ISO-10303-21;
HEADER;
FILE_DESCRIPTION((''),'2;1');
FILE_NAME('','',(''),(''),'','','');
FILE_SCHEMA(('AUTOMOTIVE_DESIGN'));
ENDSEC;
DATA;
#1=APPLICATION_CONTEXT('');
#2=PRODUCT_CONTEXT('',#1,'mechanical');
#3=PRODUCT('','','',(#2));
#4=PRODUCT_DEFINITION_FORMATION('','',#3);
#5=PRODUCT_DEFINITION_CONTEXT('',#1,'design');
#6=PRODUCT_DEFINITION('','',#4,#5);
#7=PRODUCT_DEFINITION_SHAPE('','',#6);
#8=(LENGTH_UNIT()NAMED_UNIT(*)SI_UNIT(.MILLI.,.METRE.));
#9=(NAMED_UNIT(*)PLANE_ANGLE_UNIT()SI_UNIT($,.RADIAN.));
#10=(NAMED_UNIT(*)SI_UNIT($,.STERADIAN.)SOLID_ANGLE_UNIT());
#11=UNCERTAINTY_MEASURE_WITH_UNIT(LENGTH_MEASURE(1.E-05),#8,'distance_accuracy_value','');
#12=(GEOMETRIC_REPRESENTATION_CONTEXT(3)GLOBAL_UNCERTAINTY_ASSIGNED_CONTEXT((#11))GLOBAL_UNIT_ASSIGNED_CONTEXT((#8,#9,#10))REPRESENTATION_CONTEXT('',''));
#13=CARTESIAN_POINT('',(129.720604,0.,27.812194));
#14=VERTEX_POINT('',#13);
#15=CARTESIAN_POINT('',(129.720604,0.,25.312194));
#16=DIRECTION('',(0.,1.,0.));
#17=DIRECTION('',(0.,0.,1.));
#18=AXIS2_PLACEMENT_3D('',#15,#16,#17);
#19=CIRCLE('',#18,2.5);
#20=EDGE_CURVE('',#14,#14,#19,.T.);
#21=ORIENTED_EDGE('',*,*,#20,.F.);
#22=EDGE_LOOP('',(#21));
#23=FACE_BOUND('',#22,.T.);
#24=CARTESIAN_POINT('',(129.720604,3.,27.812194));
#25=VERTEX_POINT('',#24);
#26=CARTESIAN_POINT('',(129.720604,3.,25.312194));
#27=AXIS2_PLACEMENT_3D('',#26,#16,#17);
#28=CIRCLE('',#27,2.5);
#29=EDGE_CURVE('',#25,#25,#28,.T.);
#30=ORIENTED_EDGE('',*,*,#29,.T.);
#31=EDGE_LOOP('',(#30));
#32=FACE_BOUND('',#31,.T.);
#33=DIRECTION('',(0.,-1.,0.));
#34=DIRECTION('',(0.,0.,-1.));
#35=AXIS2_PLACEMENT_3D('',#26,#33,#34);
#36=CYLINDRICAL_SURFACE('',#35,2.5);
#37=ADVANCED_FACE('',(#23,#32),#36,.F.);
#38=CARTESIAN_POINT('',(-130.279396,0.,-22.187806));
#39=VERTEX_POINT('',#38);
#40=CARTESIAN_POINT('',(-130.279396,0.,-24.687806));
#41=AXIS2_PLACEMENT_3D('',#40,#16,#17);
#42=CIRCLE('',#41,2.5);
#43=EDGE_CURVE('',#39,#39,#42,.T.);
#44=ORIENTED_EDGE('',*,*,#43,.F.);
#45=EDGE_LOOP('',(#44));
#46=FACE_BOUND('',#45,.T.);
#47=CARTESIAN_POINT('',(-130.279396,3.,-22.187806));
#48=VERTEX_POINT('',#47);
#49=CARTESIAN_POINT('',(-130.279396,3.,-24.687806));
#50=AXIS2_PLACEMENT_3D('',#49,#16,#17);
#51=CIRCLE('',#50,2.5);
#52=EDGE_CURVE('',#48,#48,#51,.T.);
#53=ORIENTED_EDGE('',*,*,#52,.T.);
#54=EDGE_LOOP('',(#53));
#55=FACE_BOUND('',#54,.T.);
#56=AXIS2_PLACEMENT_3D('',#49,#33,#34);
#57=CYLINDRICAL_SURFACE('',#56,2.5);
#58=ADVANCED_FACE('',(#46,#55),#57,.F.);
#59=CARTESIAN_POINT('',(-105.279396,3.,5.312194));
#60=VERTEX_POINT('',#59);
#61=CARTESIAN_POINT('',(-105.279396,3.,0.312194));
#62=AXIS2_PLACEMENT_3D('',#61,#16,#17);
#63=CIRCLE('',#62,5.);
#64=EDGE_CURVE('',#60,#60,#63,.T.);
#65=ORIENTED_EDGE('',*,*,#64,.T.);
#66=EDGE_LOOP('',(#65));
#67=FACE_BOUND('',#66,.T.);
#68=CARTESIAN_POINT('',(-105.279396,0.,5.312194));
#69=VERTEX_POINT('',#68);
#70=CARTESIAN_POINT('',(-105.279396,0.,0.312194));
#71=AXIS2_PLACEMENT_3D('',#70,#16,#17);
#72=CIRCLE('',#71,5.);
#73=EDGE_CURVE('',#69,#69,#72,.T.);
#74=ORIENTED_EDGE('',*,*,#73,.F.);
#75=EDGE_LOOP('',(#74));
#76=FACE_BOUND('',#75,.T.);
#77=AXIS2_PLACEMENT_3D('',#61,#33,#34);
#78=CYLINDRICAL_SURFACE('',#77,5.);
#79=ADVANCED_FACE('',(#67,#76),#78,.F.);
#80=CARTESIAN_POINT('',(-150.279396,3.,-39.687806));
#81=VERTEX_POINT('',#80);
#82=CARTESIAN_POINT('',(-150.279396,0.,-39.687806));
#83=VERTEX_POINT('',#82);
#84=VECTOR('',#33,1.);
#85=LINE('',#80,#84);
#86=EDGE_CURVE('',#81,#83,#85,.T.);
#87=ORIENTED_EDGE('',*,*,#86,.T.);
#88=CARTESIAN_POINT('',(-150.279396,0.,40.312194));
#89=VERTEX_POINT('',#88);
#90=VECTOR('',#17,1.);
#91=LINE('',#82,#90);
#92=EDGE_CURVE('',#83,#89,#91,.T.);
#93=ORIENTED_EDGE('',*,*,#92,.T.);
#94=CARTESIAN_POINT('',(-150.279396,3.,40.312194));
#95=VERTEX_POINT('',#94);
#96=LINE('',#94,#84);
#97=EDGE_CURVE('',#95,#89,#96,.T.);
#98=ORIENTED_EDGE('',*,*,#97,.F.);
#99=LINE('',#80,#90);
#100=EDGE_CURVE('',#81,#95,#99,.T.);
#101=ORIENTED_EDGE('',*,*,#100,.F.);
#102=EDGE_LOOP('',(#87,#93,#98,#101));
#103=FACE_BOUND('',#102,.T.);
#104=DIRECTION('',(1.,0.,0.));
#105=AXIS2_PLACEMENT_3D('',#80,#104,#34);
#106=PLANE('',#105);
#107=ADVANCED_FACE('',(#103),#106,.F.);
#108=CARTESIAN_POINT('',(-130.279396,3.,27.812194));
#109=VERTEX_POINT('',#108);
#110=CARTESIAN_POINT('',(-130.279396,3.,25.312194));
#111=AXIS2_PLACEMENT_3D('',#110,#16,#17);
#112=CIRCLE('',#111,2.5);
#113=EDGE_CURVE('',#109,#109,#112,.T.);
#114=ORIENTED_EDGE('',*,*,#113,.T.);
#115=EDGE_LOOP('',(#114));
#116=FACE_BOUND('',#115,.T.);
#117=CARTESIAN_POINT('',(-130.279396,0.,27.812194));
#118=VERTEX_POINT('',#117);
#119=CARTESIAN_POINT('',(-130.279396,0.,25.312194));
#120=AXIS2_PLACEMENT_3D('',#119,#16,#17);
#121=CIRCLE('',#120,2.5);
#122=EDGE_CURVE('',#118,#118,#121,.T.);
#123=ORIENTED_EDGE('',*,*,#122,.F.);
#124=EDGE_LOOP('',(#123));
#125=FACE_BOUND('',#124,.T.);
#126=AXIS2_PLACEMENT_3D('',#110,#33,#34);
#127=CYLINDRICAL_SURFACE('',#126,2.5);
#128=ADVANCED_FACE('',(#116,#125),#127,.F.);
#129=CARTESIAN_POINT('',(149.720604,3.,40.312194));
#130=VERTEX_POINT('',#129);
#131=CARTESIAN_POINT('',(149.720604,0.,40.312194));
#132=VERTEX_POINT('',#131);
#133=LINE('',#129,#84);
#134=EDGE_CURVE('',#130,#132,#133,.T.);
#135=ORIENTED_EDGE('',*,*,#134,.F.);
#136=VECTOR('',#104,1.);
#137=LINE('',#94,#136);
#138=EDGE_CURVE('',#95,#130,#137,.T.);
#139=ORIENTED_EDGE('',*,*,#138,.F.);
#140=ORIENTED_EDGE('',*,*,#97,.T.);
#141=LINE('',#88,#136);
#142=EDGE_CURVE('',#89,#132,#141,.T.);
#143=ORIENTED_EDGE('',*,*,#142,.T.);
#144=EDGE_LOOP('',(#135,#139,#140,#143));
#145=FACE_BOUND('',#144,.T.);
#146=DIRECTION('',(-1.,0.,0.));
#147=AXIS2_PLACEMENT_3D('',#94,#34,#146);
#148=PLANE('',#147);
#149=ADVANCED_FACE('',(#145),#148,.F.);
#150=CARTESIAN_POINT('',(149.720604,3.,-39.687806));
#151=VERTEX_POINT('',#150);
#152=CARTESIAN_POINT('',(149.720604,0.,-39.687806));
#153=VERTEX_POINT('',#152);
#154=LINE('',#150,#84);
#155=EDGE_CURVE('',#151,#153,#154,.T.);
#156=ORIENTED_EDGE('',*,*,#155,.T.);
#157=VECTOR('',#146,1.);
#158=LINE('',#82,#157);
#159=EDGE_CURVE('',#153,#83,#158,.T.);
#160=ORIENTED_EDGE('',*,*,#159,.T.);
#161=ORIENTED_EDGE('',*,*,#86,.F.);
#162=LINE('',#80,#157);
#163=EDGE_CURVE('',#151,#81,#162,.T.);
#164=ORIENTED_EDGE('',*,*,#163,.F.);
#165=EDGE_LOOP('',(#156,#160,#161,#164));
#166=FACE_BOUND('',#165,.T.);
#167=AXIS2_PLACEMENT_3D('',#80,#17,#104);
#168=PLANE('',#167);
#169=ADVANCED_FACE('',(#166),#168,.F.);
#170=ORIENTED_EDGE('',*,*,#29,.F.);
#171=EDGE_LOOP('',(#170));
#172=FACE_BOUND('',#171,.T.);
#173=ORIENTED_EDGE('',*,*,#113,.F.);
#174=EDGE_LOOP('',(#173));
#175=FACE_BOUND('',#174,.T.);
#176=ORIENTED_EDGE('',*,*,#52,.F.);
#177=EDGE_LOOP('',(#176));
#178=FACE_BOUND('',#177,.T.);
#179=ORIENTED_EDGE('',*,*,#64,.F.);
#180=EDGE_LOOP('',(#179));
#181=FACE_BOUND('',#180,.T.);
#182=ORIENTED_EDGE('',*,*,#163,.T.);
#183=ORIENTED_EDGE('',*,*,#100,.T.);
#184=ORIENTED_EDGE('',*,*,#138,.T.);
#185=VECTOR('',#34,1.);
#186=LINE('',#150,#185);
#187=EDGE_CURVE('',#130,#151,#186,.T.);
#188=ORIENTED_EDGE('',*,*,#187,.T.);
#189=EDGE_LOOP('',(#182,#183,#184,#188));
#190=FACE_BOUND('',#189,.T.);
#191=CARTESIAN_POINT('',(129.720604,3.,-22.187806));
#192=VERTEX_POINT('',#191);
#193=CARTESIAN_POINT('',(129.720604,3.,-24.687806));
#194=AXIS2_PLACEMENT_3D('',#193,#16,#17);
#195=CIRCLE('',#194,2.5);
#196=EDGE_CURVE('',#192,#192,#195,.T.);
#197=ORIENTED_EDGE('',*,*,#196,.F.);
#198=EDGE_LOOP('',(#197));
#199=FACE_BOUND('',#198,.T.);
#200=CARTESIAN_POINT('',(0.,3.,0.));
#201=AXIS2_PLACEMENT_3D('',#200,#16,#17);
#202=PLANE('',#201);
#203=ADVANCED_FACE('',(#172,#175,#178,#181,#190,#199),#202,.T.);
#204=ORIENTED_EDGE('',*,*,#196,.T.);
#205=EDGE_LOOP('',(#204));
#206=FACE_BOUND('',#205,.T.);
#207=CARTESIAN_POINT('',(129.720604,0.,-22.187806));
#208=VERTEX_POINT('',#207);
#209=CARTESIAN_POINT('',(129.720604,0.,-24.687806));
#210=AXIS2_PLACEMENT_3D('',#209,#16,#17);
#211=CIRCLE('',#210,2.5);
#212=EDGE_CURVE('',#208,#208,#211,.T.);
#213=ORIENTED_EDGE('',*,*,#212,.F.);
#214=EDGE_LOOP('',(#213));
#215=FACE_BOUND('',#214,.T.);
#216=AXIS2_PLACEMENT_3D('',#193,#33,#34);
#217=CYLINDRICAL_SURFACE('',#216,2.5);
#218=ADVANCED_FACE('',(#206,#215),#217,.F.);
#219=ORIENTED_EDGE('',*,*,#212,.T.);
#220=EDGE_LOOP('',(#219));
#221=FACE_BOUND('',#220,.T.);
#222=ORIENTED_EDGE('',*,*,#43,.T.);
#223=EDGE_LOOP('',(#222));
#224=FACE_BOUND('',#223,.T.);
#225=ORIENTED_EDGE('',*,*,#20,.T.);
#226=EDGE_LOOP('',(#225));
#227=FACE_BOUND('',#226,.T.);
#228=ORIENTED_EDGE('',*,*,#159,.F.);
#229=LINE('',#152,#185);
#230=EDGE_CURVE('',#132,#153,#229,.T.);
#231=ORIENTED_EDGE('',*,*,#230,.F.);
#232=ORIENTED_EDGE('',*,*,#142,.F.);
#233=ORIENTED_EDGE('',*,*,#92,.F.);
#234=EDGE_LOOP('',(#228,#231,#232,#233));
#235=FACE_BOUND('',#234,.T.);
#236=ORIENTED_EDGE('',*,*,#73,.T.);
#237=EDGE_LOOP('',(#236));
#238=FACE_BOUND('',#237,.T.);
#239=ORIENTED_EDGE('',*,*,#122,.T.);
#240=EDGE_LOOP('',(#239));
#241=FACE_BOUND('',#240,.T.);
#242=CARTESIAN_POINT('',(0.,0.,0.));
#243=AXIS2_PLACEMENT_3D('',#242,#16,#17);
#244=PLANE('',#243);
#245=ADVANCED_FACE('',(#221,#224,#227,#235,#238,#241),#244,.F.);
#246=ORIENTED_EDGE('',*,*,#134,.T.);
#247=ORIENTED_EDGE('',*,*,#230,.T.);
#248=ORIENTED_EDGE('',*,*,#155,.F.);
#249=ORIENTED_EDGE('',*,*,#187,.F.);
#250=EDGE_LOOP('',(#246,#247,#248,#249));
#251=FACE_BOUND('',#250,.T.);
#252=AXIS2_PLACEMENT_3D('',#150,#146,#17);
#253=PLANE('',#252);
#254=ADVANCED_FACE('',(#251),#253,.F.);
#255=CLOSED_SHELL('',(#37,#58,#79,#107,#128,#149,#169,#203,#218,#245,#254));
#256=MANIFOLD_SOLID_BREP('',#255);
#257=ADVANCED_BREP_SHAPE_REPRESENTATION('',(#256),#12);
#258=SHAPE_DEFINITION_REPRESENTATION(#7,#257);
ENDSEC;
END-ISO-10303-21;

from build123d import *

# Parameters (mm, degrees)
SKETCH1_W           = 300
SKETCH1_H           = 80
SKETCH1_R           = 2.5
SKETCH1_R_2         = 5
BOSS_EXTRUDE1_DEPTH = 3


with BuildPart() as part:
    # Sketch1 → Boss-Extrude1 (new body)
    with BuildSketch(Plane(origin=(0, 0, 0), x_dir=(1, 0, 0), z_dir=(0, 1, 0))):
        with Locations((-0.279396377, -0.312194143)):
            Rectangle(SKETCH1_W, SKETCH1_H)
        with Locations(Location((-130.279396377, 24.687805857, 0), (0, 0, 270))):
            Circle(SKETCH1_R, mode=Mode.SUBTRACT)
        with Locations(Location((-130.279396377, -25.312194143, 0), (0, 0, 270))):
            Circle(SKETCH1_R, mode=Mode.SUBTRACT)
        with Locations(Location((129.720603623, 24.687805857, 0), (0, 0, 270))):
            Circle(SKETCH1_R, mode=Mode.SUBTRACT)
        with Locations(Location((129.720603623, -25.312194143, 0), (0, 0, 270))):
            Circle(SKETCH1_R, mode=Mode.SUBTRACT)
        with Locations(Location((-105.279396377, -0.312194143, 0), (0, 0, 270))):
            Circle(SKETCH1_R_2, mode=Mode.SUBTRACT)
    extrude(amount=BOSS_EXTRUDE1_DEPTH)


solid = part.part
